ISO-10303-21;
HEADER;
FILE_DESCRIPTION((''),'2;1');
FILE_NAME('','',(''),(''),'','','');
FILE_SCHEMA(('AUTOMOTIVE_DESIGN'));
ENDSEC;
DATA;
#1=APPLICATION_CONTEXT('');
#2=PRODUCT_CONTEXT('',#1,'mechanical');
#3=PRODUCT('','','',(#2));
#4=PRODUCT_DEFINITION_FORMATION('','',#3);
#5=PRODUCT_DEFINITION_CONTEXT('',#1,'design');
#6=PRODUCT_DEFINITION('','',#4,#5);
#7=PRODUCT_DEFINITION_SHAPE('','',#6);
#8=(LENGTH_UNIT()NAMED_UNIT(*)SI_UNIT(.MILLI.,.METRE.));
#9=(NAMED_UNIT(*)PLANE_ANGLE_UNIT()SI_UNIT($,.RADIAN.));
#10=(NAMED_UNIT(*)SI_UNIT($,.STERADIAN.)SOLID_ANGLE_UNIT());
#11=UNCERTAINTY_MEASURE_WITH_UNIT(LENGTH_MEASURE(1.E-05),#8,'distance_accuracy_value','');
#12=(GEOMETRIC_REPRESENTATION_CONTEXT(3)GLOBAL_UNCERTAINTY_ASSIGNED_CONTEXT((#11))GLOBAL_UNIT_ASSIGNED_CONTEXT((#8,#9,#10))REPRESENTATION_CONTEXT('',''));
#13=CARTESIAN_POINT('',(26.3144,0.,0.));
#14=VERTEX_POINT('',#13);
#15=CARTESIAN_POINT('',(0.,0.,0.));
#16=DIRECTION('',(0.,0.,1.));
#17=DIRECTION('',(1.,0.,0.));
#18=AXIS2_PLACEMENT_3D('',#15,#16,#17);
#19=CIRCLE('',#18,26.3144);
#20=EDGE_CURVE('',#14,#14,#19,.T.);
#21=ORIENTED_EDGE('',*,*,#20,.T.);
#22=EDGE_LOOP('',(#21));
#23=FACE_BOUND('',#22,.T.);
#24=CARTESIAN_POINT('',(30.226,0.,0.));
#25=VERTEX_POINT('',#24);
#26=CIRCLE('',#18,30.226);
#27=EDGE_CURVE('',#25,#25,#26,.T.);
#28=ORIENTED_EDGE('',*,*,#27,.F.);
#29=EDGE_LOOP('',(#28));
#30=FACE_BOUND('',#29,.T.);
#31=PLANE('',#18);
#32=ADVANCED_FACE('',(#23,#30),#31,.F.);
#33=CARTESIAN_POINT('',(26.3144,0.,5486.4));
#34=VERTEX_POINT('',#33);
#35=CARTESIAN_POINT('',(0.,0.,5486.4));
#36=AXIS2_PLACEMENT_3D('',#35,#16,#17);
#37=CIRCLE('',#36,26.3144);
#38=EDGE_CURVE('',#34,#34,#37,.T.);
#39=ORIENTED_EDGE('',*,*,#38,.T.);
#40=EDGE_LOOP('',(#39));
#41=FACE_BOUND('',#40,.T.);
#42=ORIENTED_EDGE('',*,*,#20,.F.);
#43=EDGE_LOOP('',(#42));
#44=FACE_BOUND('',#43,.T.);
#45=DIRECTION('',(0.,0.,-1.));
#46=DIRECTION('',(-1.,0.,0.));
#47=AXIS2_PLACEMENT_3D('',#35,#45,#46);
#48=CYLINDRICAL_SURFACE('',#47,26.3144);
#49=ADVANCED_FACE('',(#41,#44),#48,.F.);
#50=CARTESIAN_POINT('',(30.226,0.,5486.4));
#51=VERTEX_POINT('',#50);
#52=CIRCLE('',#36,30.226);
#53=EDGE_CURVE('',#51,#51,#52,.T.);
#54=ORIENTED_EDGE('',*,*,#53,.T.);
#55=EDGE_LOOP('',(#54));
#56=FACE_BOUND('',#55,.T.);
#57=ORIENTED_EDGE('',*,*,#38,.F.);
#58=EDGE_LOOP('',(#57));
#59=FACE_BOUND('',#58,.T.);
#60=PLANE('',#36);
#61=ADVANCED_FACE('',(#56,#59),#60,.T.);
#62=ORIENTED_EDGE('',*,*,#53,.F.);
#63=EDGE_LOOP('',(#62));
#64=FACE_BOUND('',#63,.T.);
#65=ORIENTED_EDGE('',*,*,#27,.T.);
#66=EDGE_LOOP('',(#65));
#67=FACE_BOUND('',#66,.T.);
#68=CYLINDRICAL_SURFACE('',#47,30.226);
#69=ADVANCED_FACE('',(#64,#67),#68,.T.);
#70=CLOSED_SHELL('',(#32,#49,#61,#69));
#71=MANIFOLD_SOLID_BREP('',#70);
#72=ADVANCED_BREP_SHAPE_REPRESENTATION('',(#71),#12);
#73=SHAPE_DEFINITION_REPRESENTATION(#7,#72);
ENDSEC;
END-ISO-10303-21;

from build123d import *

# Parameters (mm, degrees)
PIPESKETCH_R    = 30.226
PIPESKETCH_R_2  = 26.3144
EXTRUSION_DEPTH = 5486.4


with BuildPart() as part:
    # PipeSketch → Extrusion (new body)
    with BuildSketch(Plane.XY):
        Circle(PIPESKETCH_R)
        Circle(PIPESKETCH_R_2, mode=Mode.SUBTRACT)
    extrude(amount=EXTRUSION_DEPTH)


solid = part.part
